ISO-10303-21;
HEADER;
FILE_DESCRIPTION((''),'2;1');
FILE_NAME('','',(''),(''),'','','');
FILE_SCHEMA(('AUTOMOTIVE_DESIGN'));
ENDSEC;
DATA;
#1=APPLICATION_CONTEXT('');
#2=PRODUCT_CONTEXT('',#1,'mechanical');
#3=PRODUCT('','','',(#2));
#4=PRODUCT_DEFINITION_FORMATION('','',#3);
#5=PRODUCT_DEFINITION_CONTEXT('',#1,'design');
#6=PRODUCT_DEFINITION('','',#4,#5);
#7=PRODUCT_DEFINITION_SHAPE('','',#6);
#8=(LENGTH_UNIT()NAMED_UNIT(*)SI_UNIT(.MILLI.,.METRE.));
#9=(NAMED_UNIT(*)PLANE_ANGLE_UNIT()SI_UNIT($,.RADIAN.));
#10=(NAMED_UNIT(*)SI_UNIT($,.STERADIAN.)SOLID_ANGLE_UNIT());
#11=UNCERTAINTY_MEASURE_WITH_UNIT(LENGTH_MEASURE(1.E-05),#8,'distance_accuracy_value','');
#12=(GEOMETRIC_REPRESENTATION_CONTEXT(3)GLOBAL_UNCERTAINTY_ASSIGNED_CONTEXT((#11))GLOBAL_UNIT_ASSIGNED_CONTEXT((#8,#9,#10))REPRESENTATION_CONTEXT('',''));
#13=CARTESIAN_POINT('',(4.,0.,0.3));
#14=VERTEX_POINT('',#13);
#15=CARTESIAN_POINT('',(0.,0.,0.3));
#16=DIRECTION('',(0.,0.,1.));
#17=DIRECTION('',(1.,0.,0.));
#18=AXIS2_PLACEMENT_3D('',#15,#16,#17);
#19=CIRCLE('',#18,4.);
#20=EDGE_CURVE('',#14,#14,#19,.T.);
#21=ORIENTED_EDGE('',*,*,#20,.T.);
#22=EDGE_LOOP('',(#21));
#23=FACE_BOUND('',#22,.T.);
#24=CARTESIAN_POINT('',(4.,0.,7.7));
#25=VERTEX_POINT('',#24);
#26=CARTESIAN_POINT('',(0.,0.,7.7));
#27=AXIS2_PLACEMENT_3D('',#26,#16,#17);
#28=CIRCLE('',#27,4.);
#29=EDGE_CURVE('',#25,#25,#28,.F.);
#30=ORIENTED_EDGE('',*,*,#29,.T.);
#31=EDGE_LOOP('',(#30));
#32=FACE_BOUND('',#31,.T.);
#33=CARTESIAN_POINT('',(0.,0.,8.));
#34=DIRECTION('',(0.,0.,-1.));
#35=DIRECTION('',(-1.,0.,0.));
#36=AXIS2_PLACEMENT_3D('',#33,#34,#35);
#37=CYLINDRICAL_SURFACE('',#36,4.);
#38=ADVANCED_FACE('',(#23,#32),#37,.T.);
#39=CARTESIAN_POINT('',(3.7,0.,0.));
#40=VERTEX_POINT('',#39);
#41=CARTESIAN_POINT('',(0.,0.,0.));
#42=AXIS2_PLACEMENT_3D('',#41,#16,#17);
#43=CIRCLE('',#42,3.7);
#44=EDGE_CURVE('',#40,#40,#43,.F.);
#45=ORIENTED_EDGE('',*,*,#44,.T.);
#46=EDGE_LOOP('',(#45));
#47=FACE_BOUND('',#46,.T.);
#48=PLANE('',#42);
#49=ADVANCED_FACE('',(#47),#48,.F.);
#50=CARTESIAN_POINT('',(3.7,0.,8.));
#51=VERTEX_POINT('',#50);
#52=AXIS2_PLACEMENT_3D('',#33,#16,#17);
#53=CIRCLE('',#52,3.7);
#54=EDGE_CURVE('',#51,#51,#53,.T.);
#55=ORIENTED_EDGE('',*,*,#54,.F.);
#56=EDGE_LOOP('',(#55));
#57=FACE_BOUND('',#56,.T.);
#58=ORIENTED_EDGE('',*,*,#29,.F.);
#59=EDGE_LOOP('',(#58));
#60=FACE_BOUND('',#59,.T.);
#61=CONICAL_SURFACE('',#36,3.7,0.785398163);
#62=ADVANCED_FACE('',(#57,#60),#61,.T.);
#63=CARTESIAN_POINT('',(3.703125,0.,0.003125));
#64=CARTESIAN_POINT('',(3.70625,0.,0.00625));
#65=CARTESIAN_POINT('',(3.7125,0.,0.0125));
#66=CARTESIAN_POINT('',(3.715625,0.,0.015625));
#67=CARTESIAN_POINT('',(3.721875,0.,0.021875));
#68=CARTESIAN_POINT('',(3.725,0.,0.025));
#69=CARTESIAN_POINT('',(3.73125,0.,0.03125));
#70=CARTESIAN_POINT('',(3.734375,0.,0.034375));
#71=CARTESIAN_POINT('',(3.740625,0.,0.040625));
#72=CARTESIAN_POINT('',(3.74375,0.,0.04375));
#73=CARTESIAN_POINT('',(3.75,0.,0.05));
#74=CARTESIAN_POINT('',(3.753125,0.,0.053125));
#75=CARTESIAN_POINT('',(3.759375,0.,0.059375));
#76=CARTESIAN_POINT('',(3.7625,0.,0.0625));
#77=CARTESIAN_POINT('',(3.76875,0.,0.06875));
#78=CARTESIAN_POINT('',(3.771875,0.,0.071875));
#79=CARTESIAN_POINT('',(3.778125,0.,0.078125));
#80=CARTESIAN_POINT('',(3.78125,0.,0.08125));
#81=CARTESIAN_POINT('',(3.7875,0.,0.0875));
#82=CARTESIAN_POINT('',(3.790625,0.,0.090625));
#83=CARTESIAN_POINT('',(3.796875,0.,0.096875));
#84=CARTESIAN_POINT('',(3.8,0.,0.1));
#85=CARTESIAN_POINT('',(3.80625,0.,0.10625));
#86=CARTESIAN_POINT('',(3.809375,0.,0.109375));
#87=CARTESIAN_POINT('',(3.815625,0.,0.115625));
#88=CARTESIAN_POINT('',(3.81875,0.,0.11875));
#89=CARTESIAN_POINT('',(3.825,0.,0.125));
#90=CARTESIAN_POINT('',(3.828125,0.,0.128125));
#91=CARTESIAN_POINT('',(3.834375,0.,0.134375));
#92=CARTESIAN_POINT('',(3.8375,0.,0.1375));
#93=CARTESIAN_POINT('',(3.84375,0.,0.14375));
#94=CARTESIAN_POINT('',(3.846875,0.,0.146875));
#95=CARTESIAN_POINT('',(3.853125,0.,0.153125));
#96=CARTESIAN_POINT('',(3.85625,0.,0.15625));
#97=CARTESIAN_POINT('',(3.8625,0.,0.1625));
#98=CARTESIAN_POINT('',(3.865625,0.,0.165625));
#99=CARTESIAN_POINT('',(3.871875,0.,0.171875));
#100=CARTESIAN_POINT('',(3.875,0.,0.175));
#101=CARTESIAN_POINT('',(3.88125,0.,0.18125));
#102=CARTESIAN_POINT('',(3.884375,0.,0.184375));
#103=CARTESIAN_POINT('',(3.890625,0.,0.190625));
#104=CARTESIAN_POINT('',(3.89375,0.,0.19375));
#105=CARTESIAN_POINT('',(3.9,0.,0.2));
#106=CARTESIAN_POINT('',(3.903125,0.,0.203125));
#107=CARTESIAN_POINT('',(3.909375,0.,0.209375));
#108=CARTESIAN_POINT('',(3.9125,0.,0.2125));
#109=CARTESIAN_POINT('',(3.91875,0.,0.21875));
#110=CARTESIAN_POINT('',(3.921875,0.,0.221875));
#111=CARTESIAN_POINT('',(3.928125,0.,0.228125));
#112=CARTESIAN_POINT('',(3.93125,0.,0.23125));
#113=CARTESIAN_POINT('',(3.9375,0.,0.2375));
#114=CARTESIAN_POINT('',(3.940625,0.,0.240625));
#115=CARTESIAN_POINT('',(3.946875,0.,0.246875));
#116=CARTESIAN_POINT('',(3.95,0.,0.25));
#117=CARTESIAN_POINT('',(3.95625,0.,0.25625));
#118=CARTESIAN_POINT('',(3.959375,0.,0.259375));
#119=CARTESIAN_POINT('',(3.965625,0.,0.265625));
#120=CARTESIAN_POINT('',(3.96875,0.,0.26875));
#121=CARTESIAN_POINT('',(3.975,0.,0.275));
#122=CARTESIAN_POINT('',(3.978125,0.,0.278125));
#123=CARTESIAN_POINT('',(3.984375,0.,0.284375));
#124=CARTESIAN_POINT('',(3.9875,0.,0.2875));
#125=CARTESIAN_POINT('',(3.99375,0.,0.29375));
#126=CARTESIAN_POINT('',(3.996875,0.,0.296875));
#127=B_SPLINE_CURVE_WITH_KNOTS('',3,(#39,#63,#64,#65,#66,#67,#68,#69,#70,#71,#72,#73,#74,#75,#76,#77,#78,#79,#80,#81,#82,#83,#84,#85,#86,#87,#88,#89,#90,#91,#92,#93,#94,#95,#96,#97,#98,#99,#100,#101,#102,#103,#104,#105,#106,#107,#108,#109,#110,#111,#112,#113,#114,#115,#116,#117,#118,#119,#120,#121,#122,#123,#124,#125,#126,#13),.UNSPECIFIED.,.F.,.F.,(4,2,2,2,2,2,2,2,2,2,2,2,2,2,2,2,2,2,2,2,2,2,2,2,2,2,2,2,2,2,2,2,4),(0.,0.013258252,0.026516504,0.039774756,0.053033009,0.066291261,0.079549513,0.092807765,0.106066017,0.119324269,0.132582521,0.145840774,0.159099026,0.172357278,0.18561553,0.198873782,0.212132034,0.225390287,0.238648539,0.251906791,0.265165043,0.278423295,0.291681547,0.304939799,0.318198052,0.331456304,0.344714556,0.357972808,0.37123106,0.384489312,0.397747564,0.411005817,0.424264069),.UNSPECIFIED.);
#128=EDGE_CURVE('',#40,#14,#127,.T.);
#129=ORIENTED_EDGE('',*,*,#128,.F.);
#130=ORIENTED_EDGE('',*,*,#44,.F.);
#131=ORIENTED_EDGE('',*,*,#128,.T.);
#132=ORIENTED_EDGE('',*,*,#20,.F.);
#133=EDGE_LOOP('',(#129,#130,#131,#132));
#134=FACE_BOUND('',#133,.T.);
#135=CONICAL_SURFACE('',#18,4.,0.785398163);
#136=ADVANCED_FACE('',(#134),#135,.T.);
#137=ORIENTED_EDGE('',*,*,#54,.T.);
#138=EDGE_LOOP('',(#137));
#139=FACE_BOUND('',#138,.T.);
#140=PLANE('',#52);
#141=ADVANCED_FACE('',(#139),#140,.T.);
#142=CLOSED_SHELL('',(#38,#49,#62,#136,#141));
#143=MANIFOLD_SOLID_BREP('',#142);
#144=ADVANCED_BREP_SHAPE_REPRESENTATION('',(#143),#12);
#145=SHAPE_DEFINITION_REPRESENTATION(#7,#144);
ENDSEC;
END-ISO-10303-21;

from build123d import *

# Parameters (mm, degrees)
SKETCH_1_R      = 4
EXTRUDE_1_DEPTH = 8
CHAMFER_1_SIZE  = 0.3


with BuildPart() as part:
    # Эскиз1 → Бобышка-Вытянуть1 (new body)
    with BuildSketch(Plane.XY):
        Circle(SKETCH_1_R)
    extrude(amount=EXTRUDE_1_DEPTH)

    # Фаска1
    chamfer_1_edges = [part.edges().sort_by_distance(p)[0] for p in [
        (-4, 0, 0),
        (-4, 0, 8),
    ]]
    chamfer(chamfer_1_edges, length=CHAMFER_1_SIZE)


solid = part.part
